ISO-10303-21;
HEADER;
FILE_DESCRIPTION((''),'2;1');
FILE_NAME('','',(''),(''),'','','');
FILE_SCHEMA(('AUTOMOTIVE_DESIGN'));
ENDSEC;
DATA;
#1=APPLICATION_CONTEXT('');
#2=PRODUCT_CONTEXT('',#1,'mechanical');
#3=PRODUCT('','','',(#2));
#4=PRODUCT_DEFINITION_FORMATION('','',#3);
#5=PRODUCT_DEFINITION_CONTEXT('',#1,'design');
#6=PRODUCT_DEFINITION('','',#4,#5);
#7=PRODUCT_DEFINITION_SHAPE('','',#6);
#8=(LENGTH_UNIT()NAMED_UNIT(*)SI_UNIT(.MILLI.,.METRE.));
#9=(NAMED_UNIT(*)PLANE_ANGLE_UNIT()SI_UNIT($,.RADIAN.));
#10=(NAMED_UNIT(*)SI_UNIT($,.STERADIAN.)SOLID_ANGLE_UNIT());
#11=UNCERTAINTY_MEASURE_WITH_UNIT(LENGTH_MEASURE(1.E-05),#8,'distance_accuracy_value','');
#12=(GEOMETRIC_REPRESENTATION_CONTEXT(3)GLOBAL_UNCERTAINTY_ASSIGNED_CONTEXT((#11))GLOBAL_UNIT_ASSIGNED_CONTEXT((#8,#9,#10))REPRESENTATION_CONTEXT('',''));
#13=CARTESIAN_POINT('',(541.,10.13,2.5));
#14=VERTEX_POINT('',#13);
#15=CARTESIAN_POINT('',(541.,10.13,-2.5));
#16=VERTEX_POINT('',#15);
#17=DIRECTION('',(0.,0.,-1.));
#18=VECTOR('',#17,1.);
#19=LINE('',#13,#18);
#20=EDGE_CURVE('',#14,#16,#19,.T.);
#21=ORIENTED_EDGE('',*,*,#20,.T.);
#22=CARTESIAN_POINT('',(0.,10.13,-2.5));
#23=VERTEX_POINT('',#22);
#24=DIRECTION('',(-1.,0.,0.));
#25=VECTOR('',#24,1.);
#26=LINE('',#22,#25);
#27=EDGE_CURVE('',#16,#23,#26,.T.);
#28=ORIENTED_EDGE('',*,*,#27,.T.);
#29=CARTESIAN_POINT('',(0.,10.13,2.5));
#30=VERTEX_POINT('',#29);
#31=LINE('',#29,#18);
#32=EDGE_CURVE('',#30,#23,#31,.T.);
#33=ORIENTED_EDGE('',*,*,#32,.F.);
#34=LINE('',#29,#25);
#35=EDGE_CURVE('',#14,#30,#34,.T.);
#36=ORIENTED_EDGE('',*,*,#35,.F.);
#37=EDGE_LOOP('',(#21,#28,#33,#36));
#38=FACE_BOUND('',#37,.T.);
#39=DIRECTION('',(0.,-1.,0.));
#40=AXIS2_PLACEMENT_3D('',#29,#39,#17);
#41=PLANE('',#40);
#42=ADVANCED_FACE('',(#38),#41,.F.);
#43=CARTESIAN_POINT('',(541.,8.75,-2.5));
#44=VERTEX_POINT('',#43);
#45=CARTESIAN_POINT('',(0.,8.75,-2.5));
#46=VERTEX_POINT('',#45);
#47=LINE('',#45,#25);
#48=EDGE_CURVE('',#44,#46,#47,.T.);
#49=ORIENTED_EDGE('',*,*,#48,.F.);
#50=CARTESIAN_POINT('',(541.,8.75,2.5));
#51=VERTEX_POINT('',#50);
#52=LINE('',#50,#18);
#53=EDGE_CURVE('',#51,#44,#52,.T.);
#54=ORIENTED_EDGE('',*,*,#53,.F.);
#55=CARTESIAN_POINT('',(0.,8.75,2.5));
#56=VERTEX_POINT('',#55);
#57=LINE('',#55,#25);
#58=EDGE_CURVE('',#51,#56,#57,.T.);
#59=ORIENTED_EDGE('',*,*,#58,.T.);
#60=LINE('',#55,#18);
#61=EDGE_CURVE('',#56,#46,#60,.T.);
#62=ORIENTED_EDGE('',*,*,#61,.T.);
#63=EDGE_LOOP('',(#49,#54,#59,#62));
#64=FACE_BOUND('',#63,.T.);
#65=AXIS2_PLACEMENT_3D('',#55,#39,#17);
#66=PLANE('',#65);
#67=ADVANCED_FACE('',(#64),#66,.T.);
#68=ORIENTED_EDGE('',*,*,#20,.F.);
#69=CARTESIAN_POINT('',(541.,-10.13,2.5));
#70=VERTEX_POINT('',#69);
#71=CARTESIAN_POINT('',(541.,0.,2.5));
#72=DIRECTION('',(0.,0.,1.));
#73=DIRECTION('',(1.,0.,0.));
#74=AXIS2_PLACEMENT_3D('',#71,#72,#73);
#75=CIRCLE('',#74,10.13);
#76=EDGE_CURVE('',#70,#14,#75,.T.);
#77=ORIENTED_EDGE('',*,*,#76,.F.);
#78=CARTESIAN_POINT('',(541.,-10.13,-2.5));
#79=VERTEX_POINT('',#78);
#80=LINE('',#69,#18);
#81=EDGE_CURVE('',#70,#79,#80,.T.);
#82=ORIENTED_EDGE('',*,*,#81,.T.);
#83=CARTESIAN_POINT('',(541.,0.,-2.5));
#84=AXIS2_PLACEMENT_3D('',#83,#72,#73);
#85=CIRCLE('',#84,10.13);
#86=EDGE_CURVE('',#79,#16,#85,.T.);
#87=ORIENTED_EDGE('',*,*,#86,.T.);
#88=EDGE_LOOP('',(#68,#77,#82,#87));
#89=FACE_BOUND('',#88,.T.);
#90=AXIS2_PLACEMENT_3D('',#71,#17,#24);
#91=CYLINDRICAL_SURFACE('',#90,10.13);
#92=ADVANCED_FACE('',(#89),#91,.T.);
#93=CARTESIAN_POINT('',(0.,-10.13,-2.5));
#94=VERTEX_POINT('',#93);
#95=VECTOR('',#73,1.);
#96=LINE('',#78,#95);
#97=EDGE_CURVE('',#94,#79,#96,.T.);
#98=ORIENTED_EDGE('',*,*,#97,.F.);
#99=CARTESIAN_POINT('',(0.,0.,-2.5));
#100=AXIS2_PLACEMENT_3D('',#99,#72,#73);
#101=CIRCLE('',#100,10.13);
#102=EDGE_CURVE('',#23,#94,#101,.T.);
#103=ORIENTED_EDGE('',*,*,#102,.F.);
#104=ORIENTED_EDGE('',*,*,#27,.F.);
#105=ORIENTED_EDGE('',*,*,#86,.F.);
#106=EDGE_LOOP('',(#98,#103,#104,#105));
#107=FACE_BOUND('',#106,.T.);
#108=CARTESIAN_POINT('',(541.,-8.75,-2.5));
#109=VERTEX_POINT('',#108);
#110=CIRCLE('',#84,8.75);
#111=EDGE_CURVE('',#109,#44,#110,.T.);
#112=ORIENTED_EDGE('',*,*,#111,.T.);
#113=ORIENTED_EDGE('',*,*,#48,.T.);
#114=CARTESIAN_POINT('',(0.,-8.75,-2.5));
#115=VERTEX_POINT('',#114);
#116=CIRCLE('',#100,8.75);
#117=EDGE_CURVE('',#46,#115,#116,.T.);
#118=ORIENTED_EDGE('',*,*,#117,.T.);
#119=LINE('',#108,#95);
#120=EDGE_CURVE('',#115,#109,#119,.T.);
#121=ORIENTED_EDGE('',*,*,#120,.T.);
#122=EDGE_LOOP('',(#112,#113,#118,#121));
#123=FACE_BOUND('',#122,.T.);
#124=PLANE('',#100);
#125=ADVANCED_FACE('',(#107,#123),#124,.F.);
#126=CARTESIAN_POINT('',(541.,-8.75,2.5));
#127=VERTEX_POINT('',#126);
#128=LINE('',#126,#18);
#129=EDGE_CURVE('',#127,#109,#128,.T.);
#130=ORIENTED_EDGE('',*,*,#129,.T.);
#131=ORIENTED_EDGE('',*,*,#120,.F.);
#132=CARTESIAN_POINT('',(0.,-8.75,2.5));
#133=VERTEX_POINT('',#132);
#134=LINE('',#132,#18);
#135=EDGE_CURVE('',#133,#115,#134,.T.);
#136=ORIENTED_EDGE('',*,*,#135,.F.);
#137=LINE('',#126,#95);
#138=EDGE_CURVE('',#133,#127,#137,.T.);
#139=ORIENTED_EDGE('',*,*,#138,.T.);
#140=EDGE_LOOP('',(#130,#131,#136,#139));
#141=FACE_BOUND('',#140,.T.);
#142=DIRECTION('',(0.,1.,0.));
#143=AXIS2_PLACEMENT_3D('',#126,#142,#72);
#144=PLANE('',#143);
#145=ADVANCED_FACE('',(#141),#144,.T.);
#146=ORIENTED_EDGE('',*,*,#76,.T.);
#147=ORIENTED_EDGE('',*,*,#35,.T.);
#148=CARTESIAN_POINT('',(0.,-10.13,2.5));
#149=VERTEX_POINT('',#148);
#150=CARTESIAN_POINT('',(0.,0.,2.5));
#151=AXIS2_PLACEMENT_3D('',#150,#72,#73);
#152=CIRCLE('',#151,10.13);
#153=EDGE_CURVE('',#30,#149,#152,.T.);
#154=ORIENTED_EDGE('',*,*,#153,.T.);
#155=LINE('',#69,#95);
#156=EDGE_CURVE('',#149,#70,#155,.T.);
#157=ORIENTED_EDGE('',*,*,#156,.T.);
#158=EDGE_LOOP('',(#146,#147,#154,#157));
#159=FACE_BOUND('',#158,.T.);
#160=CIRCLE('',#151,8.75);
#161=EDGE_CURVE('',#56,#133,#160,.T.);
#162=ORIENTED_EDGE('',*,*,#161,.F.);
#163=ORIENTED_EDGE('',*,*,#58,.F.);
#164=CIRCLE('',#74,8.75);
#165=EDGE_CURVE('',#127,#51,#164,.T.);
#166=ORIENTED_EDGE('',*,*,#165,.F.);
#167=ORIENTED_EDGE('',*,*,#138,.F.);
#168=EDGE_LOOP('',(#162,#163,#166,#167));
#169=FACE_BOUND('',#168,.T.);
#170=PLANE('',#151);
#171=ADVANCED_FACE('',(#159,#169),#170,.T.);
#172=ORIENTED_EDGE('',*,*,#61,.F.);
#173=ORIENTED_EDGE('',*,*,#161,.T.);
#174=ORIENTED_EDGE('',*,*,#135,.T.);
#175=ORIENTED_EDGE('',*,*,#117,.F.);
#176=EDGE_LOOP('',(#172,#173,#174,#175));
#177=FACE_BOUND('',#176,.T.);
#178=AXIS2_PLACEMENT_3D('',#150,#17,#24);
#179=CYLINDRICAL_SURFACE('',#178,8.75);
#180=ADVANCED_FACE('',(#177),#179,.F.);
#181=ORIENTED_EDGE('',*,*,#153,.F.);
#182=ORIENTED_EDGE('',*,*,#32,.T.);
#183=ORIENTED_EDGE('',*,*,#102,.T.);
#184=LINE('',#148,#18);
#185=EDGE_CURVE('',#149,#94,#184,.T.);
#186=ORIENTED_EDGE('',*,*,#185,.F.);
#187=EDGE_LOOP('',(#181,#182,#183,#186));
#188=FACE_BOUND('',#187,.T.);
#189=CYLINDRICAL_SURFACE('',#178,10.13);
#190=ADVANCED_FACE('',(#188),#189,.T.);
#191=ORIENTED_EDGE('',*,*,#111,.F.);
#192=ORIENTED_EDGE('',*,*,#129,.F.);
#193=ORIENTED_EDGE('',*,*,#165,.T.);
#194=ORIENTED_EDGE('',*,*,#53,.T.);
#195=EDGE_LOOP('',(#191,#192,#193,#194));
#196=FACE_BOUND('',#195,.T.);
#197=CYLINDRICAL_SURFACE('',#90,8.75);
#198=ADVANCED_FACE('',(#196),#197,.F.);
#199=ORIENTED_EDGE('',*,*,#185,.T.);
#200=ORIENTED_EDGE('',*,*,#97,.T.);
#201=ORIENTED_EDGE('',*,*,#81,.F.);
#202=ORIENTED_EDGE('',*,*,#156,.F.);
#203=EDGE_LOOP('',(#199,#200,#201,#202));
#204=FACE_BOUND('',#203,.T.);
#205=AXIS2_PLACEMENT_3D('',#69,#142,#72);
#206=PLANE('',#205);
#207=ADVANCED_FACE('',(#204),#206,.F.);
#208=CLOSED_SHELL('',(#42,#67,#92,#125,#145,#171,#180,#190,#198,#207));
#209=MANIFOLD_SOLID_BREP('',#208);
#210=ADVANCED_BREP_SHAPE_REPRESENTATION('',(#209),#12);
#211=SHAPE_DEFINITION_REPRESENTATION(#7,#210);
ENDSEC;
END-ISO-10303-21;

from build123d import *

# Parameters (mm, degrees)
EXTRUDE_THIN1_DEPTH = 2.5


with BuildPart() as part:
    # Sketch1 → Extrude-Thin1 (new body, symmetric)
    with BuildSketch(Plane.XY):
        with BuildLine():
            Line((541, -10.13), (0, -10.13))
            ThreePointArc((0, -10.13), (-10.13, 0), (0, 10.13))
            Line((0, 10.13), (541, 10.13))
            ThreePointArc((541, 10.13), (551.13, 0), (541, -10.13))
        make_face()
        with BuildLine():
            Line((541, -8.75), (0, -8.75))
            ThreePointArc((0, -8.75), (-8.75, 0), (0, 8.75))
            Line((0, 8.75), (541, 8.75))
            ThreePointArc((541, 8.75), (549.75, 0), (541, -8.75))
        make_face(mode=Mode.SUBTRACT)
    extrude(amount=EXTRUDE_THIN1_DEPTH, both=True)


solid = part.part
